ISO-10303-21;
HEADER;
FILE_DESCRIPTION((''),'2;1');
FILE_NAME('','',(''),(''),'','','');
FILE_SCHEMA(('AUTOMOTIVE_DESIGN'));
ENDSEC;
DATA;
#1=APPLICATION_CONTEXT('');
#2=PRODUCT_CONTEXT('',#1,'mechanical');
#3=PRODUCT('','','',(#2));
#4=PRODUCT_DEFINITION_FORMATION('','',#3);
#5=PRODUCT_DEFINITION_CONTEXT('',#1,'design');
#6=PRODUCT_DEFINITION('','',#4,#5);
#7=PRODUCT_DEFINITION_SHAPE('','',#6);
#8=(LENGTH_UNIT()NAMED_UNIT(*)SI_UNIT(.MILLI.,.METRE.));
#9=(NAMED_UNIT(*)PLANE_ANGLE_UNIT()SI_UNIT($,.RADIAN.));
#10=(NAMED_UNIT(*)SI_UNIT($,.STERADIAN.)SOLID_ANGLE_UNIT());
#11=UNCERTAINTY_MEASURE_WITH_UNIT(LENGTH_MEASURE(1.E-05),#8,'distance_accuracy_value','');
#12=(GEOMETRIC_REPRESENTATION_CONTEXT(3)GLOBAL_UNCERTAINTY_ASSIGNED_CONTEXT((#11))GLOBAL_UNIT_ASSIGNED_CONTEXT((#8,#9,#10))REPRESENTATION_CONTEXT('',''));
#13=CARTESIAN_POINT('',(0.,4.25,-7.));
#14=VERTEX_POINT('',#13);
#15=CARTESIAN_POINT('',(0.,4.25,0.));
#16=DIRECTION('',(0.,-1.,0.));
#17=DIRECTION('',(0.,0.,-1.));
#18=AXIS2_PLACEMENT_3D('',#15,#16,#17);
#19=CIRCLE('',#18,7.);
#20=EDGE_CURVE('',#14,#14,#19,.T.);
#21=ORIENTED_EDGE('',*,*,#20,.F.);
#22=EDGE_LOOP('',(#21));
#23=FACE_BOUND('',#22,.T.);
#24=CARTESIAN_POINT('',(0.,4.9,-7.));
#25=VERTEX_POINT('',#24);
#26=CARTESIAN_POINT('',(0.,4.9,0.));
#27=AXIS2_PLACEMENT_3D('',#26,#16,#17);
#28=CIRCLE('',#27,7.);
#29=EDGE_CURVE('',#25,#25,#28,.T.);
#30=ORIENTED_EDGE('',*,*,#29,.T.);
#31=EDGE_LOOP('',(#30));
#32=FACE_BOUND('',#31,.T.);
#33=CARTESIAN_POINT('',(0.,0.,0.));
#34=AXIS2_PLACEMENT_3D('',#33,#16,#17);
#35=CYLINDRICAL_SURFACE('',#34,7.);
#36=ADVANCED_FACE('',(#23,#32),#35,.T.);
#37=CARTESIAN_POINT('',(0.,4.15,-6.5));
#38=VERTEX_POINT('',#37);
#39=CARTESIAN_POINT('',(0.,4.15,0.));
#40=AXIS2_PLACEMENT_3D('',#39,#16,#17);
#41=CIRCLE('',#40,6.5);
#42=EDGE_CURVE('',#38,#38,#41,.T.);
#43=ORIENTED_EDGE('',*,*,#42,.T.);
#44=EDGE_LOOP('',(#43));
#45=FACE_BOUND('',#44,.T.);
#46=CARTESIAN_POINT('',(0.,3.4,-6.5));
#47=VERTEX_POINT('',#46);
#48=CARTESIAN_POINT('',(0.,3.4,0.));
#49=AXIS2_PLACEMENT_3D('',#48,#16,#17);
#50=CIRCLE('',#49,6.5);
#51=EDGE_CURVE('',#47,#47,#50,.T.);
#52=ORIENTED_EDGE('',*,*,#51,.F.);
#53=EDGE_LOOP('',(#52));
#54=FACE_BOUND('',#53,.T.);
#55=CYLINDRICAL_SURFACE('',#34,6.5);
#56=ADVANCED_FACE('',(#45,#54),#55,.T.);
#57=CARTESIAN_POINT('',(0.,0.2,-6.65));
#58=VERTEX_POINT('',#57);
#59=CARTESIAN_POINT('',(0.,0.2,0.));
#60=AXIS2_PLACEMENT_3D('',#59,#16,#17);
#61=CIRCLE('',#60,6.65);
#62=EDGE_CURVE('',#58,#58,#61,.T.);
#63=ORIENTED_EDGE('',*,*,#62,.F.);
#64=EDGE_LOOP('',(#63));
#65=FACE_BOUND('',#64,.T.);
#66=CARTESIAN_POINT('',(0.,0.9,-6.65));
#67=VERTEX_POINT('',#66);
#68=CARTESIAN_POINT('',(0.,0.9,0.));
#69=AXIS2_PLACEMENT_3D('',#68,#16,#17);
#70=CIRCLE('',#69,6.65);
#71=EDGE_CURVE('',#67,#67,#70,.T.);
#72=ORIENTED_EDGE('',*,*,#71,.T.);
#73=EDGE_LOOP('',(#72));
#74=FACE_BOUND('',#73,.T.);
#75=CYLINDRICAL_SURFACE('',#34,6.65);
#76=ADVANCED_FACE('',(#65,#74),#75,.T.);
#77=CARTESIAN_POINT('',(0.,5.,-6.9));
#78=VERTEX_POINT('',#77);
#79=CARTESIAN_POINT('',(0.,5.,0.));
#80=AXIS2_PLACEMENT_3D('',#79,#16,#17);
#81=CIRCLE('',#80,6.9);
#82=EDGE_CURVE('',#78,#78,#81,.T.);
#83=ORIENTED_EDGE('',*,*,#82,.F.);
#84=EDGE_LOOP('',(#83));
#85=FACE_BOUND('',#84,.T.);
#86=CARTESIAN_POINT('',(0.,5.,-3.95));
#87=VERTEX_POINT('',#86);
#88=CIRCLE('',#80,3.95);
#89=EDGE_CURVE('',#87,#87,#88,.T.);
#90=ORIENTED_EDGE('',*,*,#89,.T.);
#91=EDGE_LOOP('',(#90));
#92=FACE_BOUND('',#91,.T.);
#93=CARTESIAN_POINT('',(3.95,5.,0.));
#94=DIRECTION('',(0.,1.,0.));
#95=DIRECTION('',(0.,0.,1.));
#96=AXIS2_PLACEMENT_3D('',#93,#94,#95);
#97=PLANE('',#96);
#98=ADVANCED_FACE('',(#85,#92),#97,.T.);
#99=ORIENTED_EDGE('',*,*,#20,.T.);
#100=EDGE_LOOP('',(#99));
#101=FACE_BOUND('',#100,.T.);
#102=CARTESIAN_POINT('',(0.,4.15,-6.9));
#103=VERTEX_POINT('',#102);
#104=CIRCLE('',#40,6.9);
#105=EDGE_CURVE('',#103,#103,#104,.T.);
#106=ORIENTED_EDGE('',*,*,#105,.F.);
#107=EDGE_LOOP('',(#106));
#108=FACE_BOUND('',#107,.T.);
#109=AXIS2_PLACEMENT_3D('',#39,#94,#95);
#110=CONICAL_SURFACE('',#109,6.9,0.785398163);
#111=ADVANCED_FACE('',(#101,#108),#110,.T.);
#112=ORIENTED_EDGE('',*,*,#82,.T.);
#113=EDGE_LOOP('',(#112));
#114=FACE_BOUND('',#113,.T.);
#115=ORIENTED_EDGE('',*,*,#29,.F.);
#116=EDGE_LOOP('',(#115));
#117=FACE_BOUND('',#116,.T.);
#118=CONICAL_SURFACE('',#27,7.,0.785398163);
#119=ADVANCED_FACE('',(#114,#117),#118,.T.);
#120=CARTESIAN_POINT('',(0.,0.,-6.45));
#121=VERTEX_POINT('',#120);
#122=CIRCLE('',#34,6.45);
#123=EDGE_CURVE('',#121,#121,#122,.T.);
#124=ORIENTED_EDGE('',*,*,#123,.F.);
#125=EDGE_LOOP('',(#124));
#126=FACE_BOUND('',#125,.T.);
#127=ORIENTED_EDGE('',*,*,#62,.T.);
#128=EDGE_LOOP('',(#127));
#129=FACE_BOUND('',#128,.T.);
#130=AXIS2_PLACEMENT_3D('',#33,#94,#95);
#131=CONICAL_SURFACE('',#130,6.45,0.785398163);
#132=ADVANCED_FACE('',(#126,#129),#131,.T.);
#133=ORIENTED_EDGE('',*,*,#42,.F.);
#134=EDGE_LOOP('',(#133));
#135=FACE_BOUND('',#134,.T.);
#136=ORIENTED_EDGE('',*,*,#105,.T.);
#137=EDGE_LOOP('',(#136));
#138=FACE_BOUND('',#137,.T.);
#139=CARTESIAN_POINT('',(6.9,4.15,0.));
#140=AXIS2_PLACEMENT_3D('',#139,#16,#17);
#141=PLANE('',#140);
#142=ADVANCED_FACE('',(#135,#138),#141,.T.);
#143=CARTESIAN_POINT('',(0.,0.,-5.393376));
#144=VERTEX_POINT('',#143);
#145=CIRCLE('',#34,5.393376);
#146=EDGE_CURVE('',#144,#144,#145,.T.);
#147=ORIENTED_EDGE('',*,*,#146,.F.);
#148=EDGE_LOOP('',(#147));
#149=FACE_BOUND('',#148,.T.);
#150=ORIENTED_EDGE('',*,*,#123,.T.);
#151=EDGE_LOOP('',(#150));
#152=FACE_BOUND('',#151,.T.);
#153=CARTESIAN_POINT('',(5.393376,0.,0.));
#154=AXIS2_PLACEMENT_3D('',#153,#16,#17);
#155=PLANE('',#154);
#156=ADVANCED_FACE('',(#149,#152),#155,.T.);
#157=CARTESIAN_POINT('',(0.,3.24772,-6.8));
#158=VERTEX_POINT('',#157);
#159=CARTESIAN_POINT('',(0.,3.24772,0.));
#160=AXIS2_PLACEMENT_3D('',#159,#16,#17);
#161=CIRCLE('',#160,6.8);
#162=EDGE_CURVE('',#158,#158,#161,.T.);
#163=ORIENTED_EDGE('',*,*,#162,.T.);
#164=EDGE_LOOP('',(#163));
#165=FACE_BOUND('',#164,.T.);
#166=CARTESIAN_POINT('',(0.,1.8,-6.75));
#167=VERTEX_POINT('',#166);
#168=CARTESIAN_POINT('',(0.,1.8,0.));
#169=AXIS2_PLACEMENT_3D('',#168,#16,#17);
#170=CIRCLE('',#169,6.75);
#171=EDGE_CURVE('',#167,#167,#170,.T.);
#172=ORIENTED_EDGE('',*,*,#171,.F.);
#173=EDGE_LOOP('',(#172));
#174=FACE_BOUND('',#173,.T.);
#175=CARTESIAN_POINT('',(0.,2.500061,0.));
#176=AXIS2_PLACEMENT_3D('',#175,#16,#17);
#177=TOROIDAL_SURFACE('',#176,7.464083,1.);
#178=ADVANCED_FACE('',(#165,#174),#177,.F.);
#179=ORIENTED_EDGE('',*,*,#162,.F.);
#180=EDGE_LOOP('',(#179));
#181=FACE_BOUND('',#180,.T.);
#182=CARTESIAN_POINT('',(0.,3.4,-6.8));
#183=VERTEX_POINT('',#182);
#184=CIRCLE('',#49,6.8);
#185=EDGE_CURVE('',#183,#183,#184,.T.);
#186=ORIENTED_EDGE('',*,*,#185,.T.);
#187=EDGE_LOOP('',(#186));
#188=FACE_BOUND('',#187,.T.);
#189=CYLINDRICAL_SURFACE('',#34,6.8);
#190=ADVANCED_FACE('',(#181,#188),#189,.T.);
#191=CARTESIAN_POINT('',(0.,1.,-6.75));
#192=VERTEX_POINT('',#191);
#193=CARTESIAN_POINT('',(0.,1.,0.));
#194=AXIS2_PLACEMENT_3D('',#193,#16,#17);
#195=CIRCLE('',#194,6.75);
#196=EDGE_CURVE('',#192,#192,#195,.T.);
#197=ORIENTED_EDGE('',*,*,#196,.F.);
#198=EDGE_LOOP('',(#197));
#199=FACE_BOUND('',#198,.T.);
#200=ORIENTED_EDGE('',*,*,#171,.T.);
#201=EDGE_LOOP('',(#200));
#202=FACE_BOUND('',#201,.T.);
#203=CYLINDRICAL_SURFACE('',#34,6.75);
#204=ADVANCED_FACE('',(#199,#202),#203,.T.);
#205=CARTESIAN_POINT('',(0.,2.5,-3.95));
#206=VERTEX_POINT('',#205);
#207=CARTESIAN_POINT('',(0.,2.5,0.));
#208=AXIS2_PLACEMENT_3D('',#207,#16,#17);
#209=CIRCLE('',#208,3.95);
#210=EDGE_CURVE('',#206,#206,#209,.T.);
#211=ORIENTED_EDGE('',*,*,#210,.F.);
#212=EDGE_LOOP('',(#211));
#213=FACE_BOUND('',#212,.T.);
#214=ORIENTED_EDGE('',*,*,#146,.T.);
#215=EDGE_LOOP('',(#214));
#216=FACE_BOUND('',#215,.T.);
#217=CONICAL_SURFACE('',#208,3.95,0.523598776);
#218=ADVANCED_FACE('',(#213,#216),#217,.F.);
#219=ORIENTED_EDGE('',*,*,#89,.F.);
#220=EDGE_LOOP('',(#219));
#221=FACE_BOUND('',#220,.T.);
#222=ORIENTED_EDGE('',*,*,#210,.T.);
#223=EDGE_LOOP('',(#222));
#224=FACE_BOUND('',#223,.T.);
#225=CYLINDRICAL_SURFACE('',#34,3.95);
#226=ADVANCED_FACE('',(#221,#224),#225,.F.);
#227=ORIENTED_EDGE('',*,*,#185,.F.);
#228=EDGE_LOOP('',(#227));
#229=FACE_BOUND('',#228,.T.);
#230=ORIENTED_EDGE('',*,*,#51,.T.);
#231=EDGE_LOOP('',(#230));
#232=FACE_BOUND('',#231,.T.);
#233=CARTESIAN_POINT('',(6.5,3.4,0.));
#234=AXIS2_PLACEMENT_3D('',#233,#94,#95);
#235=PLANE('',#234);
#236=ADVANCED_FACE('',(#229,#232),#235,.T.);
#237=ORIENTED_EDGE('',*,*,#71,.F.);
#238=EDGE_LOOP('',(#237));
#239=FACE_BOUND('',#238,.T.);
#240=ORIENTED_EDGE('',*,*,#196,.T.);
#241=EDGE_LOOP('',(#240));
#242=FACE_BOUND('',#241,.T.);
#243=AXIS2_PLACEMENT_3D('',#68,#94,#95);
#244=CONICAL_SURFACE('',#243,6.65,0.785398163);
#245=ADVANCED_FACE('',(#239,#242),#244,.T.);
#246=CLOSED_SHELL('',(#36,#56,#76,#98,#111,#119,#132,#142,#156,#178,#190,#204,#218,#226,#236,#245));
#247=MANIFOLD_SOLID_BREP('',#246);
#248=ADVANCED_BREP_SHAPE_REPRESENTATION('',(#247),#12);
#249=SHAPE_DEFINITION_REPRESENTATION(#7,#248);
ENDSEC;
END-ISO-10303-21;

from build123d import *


with BuildPart() as part:
    # Croquis1 → Revolución1 (revolve)
    with BuildSketch(Plane.XY, mode=Mode.PRIVATE) as revoluci_n1_sk:
        with BuildLine():
            Line((6.45, 0), (6.65, 0.2))
            Line((6.65, 0.2), (6.65, 0.9))
            Line((6.65, 0.9), (6.75, 1))
            Line((6.75, 1), (6.75, 1.667))
            Line((6.75, 1.667), (6.75, 1.8))
            ThreePointArc((6.75, 1.8), (6.46467894, 2.534577468), (6.8, 3.247719775))
            Line((6.8, 3.247719775), (6.8, 3.4))
            Line((6.8, 3.4), (6.5, 3.4))
            Line((6.5, 3.4), (6.5, 4.15))
            Line((6.5, 4.15), (6.9, 4.15))
            Line((6.9, 4.15), (7, 4.25))
            Line((7, 4.25), (7, 4.9))
            Line((7, 4.9), (6.9, 5))
            Line((6.9, 5), (3.95, 5))
            Line((3.95, 5), (3.95, 2.5))
            Line((3.95, 2.5), (5.393375673, 0))
            Line((5.393375673, 0), (6.45, 0))
        make_face()
    revolve(revoluci_n1_sk.sketch.rotate(Axis((0, 0, 0), (0, 1, 0)), 90), axis=Axis((0, 0, 0), (0, 1, 0)))


solid = part.part
